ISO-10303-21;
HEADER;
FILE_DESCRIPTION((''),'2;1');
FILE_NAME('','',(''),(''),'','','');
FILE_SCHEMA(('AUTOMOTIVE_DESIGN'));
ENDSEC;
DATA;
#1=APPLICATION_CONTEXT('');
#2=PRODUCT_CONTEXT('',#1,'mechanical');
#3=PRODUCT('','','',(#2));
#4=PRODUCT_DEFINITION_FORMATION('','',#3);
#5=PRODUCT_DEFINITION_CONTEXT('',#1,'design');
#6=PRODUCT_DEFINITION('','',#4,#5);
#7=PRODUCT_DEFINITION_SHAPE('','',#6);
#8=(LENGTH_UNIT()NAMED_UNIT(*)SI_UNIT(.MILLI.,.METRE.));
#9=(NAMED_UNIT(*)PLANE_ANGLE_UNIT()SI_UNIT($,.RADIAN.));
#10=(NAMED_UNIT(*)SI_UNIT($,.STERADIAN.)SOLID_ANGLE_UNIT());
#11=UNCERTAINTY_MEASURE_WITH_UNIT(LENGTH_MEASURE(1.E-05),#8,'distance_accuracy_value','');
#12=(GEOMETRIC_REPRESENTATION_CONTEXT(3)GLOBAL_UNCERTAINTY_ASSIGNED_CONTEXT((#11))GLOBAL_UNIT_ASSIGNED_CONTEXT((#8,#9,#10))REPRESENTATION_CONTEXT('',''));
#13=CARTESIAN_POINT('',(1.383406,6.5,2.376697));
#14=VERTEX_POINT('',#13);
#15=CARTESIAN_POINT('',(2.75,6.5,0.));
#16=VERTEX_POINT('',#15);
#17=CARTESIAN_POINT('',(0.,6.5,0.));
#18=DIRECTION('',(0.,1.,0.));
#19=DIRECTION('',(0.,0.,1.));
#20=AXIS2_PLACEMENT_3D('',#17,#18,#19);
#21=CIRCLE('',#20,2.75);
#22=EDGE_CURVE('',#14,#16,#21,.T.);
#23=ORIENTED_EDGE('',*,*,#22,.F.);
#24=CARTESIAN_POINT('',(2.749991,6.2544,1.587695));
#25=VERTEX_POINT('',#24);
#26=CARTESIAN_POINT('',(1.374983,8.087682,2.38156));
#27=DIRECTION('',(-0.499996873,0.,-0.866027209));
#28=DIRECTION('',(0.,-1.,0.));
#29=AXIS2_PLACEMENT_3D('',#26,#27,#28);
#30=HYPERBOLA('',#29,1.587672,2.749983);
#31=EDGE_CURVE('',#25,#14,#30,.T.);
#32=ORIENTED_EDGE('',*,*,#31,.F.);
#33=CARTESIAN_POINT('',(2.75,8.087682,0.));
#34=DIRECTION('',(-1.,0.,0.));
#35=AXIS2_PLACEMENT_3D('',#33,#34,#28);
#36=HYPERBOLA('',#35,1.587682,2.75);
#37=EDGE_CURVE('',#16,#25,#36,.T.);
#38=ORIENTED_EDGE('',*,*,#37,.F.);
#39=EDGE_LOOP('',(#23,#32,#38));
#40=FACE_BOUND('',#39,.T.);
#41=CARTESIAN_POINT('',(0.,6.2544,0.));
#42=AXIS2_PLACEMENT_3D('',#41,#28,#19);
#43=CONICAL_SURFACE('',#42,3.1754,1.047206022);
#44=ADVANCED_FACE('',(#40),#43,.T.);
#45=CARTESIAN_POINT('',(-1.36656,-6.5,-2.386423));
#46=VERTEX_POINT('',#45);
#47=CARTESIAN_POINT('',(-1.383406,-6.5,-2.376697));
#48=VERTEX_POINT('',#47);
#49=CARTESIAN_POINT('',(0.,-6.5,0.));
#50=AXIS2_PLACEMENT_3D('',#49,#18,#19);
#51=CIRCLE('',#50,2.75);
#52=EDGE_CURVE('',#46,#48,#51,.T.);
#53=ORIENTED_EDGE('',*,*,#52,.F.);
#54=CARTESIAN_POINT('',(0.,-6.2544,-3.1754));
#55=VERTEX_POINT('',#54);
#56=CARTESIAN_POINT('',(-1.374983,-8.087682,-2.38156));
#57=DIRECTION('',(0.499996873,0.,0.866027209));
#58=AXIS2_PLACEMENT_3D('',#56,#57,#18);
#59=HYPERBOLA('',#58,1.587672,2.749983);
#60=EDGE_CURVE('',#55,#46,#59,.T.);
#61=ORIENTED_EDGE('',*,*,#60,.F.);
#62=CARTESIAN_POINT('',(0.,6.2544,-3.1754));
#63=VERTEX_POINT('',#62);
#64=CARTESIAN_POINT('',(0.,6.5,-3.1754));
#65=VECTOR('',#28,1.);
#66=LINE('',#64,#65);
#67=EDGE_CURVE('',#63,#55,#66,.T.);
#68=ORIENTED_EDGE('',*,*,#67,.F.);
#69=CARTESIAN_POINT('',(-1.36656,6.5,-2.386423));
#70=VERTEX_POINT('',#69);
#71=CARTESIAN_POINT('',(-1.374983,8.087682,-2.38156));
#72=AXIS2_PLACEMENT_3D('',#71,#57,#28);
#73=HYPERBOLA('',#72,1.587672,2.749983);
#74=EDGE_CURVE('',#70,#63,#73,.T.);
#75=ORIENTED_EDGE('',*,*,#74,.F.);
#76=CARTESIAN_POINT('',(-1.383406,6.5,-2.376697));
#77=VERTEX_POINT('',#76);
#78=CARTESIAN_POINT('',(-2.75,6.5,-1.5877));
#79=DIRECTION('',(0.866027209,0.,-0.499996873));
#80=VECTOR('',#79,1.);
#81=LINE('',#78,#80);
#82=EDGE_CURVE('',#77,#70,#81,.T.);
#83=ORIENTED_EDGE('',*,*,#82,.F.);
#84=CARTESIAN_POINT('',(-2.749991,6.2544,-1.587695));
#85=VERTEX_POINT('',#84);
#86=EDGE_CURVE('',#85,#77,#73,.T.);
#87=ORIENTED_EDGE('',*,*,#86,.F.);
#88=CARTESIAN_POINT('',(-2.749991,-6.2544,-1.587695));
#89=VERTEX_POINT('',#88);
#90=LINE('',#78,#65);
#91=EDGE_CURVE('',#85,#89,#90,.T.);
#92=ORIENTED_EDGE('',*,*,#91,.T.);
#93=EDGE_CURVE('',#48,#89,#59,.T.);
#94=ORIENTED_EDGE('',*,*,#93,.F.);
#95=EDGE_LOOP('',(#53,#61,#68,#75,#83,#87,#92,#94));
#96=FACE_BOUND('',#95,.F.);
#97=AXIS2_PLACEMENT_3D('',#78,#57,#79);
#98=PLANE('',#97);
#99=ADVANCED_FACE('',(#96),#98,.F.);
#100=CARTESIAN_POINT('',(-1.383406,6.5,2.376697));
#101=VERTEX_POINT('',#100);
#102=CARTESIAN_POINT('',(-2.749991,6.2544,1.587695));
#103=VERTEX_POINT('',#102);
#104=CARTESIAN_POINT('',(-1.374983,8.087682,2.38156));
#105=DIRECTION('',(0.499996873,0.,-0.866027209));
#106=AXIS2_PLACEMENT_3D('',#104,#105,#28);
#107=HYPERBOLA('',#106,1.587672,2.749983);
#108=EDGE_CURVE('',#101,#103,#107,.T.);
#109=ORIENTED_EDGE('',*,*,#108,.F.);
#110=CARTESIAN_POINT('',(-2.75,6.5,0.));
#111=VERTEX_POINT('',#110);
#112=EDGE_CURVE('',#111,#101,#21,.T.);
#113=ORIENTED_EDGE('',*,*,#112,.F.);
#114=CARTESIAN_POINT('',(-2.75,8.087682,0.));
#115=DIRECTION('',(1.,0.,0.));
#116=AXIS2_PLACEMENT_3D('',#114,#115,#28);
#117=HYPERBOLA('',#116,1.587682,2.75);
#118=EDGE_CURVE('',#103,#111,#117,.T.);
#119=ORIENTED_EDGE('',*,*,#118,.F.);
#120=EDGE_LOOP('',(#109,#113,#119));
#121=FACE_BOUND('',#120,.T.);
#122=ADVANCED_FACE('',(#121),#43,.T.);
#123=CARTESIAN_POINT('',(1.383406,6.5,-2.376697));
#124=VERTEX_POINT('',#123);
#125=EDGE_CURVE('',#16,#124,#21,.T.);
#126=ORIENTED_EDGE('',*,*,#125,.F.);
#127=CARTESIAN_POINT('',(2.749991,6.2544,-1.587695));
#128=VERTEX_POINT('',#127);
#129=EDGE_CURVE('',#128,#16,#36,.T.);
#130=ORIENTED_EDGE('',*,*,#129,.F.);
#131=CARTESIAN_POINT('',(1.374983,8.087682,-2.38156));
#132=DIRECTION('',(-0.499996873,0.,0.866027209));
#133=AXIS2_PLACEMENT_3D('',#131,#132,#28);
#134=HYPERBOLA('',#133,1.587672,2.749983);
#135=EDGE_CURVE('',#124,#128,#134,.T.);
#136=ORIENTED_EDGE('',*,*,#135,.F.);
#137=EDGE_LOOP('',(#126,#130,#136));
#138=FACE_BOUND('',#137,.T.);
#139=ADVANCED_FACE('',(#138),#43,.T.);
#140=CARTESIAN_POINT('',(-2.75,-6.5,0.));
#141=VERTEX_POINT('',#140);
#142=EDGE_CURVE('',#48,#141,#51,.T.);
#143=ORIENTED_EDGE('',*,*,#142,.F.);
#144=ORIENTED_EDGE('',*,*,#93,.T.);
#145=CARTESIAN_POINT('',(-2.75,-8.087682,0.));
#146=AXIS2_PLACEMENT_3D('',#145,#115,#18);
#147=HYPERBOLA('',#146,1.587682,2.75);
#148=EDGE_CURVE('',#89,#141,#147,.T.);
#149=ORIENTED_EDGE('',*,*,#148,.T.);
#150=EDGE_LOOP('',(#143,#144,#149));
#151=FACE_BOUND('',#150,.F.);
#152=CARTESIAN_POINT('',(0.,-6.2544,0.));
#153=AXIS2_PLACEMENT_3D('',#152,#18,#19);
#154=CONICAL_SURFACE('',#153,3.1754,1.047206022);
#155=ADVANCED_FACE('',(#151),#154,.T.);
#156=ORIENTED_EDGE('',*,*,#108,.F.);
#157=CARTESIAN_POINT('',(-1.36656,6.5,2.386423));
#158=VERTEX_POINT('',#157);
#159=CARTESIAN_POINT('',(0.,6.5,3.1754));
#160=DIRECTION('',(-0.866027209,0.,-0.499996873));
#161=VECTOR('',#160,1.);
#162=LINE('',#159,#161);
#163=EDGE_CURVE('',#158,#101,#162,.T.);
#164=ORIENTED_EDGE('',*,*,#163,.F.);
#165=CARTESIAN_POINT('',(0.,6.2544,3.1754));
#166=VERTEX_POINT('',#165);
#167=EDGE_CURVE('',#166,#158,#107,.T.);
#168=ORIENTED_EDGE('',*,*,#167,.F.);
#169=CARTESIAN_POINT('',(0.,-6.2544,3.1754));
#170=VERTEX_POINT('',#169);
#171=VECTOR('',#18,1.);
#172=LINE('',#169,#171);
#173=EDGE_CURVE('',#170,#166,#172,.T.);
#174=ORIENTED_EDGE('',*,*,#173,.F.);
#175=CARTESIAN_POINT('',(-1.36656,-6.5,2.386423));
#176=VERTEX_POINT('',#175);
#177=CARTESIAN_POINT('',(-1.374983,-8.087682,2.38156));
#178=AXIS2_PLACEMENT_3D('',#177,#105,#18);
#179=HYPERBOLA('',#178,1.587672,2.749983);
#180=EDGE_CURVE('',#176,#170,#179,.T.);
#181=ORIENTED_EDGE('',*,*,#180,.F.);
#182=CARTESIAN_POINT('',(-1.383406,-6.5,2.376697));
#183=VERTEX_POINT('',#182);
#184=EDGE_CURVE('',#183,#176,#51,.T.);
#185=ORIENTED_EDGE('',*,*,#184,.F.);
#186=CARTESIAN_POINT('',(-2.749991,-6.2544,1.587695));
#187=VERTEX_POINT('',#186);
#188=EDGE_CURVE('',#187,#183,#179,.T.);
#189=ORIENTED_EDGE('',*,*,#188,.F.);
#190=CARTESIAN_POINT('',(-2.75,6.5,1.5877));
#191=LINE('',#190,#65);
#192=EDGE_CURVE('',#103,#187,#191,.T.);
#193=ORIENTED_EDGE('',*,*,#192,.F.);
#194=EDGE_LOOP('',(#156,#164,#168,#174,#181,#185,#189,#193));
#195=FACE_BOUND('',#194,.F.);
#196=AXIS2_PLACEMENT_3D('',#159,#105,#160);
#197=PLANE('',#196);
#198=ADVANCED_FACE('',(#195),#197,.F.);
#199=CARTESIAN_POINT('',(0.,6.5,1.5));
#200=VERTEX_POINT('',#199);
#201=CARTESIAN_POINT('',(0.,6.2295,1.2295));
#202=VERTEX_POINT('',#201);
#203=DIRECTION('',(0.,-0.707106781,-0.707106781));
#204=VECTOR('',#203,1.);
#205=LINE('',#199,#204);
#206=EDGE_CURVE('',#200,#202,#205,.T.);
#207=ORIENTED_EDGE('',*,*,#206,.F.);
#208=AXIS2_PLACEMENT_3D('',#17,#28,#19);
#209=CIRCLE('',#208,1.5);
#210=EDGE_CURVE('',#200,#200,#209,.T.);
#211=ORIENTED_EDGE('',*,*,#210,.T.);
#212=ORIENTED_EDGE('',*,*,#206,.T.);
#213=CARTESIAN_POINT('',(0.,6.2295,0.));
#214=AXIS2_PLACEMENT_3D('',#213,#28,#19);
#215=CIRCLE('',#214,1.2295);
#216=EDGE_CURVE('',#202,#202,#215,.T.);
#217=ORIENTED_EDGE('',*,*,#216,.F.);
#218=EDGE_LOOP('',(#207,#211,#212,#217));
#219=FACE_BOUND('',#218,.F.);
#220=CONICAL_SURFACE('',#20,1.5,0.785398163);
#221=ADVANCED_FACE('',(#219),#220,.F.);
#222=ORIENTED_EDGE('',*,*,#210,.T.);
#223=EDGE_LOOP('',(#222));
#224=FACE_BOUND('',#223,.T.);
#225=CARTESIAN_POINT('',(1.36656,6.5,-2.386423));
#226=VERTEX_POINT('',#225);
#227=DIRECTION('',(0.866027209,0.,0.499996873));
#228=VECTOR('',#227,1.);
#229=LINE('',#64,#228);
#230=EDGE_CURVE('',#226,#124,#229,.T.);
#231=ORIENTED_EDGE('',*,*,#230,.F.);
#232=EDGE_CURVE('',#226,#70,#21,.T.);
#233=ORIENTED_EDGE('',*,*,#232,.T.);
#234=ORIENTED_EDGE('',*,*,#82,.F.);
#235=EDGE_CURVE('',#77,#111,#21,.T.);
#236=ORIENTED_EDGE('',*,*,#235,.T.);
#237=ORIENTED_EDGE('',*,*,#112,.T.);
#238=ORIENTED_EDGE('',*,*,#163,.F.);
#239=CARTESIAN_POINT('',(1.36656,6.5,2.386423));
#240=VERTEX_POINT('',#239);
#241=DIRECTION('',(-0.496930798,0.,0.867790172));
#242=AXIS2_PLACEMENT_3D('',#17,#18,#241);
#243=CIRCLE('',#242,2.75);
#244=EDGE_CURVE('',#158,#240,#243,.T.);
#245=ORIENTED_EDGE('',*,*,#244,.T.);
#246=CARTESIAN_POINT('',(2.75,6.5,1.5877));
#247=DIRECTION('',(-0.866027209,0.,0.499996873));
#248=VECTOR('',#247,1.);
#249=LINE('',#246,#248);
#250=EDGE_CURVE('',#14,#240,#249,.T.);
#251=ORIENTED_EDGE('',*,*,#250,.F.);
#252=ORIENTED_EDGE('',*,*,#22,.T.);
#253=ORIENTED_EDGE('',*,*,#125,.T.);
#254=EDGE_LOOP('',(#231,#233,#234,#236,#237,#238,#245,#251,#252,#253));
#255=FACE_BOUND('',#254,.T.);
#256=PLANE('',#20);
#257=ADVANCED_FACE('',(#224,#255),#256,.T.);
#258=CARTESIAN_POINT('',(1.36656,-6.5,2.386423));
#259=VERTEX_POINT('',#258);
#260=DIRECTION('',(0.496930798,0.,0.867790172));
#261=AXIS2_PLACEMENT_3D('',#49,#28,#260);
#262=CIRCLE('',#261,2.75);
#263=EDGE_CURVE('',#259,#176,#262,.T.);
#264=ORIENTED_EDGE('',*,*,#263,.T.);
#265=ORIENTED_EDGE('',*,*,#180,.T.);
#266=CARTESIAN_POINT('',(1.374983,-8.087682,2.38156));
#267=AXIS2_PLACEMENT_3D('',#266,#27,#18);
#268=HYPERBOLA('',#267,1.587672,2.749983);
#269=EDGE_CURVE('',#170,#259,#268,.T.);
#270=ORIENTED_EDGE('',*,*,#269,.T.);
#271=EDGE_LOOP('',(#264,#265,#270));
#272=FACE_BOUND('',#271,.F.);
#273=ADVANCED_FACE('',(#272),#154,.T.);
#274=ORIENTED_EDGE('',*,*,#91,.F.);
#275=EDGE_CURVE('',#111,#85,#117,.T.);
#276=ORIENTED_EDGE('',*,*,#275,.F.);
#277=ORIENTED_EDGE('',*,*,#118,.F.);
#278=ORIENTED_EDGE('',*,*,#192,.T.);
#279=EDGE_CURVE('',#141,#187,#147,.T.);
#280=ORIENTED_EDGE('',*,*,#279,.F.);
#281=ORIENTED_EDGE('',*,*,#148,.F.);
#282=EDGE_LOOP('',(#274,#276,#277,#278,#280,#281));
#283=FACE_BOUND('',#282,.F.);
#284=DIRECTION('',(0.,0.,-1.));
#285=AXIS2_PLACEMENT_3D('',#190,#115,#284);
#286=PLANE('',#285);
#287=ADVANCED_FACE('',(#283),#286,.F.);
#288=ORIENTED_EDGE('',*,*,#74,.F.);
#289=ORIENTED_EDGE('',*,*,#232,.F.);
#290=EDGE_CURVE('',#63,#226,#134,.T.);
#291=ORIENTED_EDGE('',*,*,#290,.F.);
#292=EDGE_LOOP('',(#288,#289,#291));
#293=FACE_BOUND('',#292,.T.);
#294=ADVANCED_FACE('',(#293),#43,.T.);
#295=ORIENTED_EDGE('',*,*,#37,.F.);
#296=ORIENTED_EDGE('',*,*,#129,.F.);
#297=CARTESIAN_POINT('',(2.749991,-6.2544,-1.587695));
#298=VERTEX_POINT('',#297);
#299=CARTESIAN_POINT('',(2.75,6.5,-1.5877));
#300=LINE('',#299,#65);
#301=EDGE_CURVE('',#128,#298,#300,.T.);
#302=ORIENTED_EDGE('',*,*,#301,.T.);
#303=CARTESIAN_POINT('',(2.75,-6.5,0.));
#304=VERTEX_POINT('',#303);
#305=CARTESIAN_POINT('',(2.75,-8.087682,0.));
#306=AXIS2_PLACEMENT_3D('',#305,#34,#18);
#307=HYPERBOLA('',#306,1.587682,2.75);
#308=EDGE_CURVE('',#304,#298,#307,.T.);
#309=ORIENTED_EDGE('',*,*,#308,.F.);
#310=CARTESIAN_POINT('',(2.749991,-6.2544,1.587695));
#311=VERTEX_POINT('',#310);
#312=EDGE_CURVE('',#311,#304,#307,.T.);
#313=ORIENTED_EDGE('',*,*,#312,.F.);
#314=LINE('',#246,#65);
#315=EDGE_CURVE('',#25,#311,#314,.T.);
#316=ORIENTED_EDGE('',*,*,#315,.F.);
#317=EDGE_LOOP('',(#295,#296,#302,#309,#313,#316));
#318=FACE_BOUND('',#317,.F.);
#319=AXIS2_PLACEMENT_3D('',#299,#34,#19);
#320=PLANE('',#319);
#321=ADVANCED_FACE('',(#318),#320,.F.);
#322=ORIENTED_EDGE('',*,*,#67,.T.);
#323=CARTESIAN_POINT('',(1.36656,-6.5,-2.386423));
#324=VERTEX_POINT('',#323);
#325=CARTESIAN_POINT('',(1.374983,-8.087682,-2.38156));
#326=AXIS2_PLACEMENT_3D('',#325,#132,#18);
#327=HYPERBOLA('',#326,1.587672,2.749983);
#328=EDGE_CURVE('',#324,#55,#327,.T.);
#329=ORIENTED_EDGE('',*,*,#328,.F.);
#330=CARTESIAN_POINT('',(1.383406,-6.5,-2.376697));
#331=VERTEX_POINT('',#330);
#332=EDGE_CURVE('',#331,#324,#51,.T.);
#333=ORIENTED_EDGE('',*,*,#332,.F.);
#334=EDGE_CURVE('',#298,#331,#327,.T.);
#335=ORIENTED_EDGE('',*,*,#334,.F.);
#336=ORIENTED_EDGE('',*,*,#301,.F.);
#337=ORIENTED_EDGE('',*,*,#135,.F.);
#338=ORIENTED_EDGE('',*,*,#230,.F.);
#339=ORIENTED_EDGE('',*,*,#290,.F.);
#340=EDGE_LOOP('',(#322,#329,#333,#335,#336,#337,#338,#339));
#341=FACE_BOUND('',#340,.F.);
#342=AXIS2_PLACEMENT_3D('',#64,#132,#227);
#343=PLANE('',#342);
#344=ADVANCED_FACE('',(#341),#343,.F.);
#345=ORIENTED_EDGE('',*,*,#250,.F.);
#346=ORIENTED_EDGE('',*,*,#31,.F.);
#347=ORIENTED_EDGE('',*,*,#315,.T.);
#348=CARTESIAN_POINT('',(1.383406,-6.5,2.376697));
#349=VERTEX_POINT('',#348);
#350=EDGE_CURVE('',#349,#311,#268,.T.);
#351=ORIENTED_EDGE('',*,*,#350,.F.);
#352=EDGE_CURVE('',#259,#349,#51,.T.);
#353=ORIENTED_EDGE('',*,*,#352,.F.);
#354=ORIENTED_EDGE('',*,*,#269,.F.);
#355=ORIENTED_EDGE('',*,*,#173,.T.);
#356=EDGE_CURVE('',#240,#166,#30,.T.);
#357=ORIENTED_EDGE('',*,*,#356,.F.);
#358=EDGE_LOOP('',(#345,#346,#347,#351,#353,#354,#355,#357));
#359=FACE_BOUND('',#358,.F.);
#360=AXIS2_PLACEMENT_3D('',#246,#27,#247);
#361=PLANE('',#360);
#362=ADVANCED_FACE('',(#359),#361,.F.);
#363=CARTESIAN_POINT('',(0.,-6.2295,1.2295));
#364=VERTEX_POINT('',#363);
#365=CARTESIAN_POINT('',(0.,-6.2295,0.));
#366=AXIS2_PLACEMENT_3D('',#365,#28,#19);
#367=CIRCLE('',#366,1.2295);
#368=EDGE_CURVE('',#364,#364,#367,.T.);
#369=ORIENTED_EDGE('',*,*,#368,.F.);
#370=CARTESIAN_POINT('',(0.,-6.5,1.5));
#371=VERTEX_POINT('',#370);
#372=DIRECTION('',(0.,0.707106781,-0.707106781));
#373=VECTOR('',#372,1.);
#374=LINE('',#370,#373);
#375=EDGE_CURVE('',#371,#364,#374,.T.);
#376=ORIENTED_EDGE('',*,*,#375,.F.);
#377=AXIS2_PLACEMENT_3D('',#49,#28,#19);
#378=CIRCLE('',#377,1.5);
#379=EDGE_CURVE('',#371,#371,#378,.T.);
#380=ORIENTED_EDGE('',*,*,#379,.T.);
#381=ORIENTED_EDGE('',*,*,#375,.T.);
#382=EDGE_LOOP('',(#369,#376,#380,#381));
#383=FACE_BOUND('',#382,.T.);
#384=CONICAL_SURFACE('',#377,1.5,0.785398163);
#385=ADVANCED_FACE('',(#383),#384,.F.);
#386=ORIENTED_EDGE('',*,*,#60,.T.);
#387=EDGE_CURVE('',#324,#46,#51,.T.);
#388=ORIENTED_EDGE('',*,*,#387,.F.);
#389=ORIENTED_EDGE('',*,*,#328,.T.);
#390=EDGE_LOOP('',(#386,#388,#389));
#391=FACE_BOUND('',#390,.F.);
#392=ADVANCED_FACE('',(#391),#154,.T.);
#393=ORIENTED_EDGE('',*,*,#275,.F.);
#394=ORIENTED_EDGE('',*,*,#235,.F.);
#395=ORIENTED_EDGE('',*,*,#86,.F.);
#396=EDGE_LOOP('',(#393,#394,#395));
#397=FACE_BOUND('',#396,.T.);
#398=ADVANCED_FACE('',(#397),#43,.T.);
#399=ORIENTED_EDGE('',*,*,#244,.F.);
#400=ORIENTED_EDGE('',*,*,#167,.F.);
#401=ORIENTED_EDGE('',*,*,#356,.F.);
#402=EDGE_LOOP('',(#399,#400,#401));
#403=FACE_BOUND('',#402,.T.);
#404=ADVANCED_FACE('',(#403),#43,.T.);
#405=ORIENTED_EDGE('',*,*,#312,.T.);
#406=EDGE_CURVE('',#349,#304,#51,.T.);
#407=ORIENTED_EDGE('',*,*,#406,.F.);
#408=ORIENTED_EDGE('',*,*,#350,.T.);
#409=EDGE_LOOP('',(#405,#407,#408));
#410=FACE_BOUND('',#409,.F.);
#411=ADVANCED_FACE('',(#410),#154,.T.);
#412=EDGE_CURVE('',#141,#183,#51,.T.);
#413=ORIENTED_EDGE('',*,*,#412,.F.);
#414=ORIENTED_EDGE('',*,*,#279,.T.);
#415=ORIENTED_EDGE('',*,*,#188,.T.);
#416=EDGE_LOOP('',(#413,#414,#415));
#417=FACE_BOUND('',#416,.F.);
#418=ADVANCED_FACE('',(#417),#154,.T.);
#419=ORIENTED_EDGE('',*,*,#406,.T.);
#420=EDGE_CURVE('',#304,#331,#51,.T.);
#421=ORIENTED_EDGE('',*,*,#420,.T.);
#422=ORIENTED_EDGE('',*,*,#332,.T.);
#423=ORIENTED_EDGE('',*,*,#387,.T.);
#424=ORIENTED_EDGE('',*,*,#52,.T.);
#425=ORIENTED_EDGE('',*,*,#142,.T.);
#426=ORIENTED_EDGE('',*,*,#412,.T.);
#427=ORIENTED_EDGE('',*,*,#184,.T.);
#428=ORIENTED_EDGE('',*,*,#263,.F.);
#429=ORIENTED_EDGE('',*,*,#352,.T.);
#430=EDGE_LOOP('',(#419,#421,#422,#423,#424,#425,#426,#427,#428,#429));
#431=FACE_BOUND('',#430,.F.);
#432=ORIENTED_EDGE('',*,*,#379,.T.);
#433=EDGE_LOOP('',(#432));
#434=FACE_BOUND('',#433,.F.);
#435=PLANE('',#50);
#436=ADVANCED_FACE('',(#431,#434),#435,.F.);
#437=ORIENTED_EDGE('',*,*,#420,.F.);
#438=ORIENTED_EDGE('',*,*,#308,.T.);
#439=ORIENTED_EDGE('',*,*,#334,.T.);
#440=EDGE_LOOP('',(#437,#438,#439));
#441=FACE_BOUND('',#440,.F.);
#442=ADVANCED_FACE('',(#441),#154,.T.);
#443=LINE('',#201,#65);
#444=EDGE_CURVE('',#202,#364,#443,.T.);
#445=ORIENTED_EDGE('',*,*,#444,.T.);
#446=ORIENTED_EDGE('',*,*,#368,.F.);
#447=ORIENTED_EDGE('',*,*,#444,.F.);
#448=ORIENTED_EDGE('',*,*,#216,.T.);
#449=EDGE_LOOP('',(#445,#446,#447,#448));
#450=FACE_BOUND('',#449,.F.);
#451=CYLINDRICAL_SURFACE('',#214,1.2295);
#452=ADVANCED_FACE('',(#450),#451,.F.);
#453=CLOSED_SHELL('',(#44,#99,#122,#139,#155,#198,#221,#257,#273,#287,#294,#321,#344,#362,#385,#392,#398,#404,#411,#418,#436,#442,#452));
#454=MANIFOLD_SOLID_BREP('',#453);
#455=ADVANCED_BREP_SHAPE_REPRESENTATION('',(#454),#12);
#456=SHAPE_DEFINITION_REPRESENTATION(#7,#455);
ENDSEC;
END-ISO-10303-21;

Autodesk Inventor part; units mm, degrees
ref_plane "YZ Plane" through (0, 0, 0) normal (1, 0, 0) x (0, 1, 0)
ref_plane "XZ Plane" through (0, 0, 0) normal (0, 1, 0) x (-1, 0, 0)
ref_plane "XY Plane" through (0, 0, 0) normal (0, 0, 1) x (1, 0, 0)
sketch "スケッチ1" plane through (0, 0, 0) normal (1, 0, 0) x (0, 1, 0)
  line L0 (-6.5, 0) -> (6.5, 0)
  line L1 (0, 0) -> (0, 3.1754) construction
  line L2 (-6.2544, 3.1754) -> (-6.5, 2.75)
  line L3 (-6.5, 2.75) -> (-6.5, 0)
  line L4 (-6.2544, 3.1754) -> (6.2544, 3.1754)
  line L5 (6.2544, 3.1754) -> (6.5, 2.75)
  line L6 (6.5, 2.75) -> (6.5, 0)
  dimension "d1" = 2.75
  dimension "d2" = 3.1754
  dimension "d3" = 30
  dimension "d4" = 13
revolve "回転1" add sketch "スケッチ1" angle 360 about axis through (0, -6.5, 0) along (0, 1, 0)
sketch "スケッチ2" plane through (0, 6.5, 0) normal (0, 1, 0) x (1, 0, 0)
  circle A0 centre (0, 0) radius 3.1754 projected
  line L0 (0, -3.1754) -> (-2.75, -1.5877)
  line L1 (-2.75, -1.5877) -> (-2.75, 1.5877)
  line L2 (-2.75, 1.5877) -> (0, 3.1754)
  line L3 (0, 3.1754) -> (2.75, 1.5877)
  line L4 (2.75, 1.5877) -> (2.75, -1.5877)
  line L5 (2.75, -1.5877) -> (0, -3.1754)
  point P0 (0, 0)
  point P1 (0, 0)
  point P2 (2.75, -1.5877)
  point P3 (2.75, -1.5877)
  point P4 (2.75, 1.5877)
  point P5 (2.75, 1.5877)
  point P6 (0, 3.1754)
  point P7 (0, 3.1754)
  point P8 (-2.75, 1.5877)
  point P9 (-2.75, 1.5877)
  point P10 (-2.75, -1.5877)
  point P11 (-2.75, -1.5877)
extrude "押し出し1" cut sketch "スケッチ2" against normal through all contours A0 L4 | L3 A0 | A0 L5 | L2 A0 | A0 L0 | L1 A0
hole "穴1" at (0, 6.5, 0) direction (0, -1, 0) diameter 2.459 end through all countersink diameter 3 countersink angle 90 thread size "M3x0.5" class "6H" standard "ISO Metric profile"
mirror "ミラー1" about plane through (0, 0, 0) normal (0, 1, 0) of "穴1"
equation "\"d2\" = 1.1547 * d1"
properties part number "ASL-313BE" material "アルミニウム 2014-T4"
